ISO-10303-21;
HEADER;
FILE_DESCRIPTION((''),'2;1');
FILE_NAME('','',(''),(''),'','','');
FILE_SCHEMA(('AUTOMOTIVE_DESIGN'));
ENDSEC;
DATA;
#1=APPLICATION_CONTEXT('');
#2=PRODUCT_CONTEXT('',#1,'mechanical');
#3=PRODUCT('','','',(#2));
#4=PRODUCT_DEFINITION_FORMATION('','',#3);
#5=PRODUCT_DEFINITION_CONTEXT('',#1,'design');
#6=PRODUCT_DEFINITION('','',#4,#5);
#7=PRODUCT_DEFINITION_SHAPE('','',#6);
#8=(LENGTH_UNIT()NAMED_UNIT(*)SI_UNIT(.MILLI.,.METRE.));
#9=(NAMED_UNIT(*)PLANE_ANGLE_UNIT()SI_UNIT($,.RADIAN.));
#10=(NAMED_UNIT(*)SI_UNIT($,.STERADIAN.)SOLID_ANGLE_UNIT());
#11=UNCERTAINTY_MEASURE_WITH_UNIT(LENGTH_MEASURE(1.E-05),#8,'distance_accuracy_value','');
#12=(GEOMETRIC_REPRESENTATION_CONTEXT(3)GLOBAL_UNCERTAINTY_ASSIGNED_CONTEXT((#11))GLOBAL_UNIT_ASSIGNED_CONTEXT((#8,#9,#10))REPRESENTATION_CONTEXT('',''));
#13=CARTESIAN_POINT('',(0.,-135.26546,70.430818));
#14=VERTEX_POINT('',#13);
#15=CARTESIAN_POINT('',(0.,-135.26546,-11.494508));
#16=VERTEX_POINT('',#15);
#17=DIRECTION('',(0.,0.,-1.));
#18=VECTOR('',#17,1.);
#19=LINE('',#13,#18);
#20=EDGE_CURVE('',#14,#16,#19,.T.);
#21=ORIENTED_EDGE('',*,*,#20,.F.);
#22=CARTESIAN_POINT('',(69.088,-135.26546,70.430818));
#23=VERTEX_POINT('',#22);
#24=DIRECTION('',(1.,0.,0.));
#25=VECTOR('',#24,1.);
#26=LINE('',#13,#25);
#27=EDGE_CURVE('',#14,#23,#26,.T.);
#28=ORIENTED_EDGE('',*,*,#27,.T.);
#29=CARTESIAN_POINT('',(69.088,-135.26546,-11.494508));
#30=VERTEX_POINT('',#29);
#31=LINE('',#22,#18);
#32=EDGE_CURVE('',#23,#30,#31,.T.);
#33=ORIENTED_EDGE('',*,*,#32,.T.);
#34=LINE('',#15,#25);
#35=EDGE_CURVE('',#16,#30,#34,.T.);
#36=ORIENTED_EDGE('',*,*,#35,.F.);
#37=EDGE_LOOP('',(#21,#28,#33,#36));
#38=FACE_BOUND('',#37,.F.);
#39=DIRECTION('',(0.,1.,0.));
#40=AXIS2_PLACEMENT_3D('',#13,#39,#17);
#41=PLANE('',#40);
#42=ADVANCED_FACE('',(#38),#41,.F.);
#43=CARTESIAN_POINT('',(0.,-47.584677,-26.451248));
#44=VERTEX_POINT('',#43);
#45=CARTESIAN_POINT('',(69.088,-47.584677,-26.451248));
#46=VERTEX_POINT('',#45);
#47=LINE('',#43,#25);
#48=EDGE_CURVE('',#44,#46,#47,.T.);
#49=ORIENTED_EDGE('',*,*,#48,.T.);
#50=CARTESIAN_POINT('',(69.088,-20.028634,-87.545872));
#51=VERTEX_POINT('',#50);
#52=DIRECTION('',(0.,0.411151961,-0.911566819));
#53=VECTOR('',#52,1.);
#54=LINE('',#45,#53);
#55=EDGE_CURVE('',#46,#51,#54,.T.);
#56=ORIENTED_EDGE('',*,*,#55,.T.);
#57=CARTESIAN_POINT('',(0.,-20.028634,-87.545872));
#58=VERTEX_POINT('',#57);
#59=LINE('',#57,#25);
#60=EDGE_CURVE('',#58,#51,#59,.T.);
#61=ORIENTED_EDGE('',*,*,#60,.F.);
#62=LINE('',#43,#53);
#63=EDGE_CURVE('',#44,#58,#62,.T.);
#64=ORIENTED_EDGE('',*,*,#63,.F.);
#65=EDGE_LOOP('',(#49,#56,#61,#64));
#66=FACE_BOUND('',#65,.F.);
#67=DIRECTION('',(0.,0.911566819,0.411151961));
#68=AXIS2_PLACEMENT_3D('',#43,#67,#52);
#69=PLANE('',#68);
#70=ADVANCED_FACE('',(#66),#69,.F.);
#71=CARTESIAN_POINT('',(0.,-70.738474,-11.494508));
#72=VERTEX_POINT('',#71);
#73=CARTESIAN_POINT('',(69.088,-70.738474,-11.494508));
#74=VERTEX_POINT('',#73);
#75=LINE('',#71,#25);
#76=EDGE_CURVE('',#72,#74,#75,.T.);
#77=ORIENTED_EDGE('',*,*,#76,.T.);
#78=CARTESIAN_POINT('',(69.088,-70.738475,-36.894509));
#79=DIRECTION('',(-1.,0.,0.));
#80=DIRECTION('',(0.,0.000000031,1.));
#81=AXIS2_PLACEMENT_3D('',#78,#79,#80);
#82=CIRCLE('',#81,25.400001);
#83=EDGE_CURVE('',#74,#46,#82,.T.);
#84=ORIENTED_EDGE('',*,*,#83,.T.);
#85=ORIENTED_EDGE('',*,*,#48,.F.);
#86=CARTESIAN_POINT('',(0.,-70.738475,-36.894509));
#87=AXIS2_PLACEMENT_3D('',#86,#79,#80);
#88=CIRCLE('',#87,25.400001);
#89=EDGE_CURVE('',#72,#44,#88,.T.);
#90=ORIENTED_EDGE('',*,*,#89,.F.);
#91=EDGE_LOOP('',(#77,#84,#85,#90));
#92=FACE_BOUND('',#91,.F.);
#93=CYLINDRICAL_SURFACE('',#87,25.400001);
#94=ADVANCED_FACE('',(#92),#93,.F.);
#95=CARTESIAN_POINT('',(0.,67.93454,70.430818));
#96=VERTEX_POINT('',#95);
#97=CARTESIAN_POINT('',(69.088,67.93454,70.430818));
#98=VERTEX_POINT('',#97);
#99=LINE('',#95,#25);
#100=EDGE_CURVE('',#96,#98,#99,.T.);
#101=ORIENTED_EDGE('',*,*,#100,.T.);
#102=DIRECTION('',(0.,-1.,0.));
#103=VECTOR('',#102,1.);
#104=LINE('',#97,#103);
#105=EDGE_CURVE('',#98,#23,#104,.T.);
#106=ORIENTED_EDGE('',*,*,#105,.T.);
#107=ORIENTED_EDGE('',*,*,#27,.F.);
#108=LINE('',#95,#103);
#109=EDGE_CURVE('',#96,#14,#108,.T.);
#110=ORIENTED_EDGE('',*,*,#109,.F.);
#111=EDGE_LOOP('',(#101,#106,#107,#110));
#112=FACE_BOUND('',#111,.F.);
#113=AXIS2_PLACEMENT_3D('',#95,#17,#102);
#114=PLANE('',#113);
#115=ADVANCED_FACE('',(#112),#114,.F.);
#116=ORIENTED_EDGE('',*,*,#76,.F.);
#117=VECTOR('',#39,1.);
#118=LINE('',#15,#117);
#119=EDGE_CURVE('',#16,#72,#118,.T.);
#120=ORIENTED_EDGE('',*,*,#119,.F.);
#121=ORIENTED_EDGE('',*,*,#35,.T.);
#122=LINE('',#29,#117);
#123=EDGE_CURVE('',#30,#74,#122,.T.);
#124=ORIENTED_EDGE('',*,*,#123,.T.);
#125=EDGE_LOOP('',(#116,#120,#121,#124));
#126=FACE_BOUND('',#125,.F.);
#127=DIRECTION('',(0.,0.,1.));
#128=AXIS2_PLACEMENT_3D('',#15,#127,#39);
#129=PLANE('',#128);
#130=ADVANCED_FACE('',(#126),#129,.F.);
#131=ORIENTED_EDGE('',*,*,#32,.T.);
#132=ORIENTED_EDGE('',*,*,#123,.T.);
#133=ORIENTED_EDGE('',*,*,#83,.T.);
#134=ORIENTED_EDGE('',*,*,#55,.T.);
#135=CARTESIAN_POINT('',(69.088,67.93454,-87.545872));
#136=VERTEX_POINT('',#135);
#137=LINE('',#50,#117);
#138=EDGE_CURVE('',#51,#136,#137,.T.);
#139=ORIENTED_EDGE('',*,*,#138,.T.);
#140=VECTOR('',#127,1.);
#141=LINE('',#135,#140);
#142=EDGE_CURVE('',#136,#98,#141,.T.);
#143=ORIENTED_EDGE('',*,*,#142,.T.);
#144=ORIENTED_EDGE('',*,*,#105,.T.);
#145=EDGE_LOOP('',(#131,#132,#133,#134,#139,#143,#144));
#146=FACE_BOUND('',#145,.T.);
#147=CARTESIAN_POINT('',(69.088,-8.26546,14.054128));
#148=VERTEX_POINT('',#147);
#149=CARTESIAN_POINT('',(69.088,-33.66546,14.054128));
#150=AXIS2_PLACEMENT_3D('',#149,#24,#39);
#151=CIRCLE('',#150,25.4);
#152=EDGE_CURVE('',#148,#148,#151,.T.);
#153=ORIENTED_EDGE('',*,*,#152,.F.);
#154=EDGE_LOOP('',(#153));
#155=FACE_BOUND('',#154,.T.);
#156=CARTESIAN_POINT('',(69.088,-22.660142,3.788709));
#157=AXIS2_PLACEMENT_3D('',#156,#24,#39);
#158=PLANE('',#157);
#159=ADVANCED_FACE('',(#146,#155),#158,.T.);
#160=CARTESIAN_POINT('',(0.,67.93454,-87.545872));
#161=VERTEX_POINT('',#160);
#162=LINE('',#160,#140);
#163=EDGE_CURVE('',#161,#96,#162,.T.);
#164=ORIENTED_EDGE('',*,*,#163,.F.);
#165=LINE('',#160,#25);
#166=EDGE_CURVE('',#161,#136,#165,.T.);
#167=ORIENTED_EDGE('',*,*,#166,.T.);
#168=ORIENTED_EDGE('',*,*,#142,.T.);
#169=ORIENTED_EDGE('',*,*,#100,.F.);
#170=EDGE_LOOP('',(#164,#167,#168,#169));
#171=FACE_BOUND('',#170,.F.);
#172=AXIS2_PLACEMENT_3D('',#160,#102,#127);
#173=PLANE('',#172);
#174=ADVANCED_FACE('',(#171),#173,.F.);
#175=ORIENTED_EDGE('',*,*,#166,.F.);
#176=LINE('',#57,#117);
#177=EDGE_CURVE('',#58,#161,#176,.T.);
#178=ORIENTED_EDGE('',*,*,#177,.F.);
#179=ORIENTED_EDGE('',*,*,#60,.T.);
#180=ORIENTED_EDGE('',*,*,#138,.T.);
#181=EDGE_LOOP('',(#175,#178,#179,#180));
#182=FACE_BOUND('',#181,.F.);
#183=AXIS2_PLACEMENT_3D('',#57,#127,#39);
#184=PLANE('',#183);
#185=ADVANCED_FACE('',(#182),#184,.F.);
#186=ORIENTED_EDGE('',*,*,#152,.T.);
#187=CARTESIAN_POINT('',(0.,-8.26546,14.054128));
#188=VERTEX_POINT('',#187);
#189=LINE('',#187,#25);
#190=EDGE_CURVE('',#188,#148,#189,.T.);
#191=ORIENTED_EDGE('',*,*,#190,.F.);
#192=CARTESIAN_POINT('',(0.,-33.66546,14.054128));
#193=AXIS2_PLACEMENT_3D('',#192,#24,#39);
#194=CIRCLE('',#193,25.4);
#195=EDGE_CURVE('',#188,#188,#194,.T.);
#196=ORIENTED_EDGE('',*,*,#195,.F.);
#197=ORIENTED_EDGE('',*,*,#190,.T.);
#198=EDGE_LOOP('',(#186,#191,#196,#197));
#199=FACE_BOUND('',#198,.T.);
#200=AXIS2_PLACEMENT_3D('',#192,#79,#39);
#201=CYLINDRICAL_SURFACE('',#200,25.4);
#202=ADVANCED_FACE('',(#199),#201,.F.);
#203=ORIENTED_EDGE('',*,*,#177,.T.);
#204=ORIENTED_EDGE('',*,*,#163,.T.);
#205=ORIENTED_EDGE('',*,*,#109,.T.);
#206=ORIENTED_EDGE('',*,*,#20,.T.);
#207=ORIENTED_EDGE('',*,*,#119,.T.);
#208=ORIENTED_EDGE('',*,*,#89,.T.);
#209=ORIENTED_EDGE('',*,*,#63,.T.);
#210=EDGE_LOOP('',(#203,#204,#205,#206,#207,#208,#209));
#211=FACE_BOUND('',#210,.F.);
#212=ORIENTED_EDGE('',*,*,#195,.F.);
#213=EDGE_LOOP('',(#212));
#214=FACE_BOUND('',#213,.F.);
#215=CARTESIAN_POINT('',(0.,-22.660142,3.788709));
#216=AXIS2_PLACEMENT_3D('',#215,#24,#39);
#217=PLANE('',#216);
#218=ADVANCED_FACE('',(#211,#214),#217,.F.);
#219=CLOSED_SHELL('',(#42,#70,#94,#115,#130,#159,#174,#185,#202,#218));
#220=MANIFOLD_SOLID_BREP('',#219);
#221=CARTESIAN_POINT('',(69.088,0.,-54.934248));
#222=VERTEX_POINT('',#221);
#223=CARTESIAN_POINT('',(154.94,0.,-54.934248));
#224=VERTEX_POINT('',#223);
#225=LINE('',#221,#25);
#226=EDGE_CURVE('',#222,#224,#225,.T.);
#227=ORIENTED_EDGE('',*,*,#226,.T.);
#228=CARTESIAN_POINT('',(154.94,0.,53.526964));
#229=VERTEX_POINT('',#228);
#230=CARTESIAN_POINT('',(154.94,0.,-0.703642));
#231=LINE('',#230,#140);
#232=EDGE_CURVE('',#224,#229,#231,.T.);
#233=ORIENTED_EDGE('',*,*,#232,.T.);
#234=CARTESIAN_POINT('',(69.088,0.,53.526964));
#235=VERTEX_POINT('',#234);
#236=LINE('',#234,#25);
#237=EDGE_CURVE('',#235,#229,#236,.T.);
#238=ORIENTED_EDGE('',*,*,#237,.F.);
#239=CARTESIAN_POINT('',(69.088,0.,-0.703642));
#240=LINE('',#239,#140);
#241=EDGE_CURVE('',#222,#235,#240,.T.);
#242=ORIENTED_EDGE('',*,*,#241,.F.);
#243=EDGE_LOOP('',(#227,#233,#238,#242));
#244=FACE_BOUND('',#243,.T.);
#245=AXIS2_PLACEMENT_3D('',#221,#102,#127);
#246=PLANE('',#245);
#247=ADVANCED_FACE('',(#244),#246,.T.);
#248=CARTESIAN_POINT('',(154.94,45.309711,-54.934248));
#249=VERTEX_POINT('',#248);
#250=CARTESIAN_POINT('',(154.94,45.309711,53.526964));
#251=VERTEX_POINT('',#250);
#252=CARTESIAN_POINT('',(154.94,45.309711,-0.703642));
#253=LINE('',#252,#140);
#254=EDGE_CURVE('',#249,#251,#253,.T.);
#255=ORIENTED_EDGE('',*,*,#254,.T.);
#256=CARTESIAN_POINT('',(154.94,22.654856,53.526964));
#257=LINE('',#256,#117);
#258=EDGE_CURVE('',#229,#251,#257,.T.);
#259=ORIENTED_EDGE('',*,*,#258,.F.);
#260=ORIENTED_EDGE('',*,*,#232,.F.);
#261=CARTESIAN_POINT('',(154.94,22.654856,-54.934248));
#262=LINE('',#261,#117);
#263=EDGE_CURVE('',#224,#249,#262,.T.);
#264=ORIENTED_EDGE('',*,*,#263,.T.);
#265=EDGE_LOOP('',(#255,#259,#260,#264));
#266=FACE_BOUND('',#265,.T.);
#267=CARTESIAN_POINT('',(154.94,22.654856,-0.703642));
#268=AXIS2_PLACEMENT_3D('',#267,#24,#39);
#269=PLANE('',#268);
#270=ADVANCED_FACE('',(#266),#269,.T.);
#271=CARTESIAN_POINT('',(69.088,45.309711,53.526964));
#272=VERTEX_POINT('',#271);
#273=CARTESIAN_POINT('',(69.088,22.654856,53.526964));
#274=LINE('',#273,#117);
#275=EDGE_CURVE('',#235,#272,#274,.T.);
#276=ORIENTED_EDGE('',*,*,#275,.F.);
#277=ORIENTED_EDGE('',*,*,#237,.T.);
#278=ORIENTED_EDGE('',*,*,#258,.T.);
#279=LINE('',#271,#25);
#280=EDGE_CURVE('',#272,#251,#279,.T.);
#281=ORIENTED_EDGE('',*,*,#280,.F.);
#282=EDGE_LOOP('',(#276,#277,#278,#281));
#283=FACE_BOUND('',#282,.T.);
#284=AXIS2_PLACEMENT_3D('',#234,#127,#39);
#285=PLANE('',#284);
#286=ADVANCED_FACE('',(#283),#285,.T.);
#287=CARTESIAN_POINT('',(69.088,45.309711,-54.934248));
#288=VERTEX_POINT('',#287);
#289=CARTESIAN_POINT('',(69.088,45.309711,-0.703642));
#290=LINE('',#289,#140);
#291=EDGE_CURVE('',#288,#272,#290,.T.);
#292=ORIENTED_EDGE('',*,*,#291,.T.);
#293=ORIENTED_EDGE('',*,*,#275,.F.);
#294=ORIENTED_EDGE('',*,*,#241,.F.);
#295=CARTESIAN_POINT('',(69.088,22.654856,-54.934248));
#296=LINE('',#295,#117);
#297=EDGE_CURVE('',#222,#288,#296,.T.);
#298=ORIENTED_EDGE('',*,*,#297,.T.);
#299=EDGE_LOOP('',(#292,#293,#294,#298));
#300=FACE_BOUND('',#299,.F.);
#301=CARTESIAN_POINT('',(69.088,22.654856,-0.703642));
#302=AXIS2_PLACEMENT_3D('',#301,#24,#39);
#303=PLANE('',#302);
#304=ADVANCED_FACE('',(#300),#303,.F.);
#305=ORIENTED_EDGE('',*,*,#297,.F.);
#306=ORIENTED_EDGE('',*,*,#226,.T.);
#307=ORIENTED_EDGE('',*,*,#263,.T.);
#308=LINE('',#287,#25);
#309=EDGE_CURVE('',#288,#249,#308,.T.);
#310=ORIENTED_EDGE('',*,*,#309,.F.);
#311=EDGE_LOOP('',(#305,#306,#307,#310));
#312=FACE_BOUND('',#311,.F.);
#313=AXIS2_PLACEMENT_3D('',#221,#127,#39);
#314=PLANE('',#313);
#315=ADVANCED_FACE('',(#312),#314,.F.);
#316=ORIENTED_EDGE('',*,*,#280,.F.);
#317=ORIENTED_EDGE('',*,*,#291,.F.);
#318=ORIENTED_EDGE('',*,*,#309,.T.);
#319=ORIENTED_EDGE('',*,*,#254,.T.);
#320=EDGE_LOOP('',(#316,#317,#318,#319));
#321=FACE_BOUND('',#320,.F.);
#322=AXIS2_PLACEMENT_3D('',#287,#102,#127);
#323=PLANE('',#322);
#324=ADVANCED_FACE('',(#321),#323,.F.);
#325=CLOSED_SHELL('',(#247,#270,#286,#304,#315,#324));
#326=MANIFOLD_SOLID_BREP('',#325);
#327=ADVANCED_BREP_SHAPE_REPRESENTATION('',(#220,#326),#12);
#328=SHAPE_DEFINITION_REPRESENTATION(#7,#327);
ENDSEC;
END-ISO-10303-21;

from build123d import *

# Parameters (mm, degrees)
F0_R     = 25.4
F1_DEPTH = 69.088
F2_W     = 45.309711
F2_H     = 108.461212
F3_DEPTH = 85.852


with BuildPart() as f1:
    # F0 (on Right) → F1 (new body)
    with BuildSketch(Plane.YZ):
        with BuildLine():
            Line((-135.26546, -11.494508), (-70.738474, -11.494508))
            ThreePointArc((-70.738474, -11.494508), (-56.956218, -15.558871), (-47.584677, -26.451248))
            Line((-47.584677, -26.451248), (-20.028634, -87.545872))
            Line((-20.028634, -87.545872), (67.93454, -87.545872))
            Line((67.93454, -87.545872), (67.93454, 70.430818))
            Line((67.93454, 70.430818), (-135.26546, 70.430818))
            Line((-135.26546, 70.430818), (-135.26546, -11.494508))
        make_face()
        with Locations((-33.66546, 14.054128)):
            Circle(F0_R, mode=Mode.SUBTRACT)
    extrude(amount=F1_DEPTH)


with BuildPart() as f3:
    # F2 (on face) → F3 (new body)
    with BuildSketch(Plane.YZ.offset(69.088)):
        with Locations((22.654856, -0.703642)):
            Rectangle(F2_W, F2_H)
    extrude(amount=F3_DEPTH)


solid = Compound([f1.part, f3.part])
